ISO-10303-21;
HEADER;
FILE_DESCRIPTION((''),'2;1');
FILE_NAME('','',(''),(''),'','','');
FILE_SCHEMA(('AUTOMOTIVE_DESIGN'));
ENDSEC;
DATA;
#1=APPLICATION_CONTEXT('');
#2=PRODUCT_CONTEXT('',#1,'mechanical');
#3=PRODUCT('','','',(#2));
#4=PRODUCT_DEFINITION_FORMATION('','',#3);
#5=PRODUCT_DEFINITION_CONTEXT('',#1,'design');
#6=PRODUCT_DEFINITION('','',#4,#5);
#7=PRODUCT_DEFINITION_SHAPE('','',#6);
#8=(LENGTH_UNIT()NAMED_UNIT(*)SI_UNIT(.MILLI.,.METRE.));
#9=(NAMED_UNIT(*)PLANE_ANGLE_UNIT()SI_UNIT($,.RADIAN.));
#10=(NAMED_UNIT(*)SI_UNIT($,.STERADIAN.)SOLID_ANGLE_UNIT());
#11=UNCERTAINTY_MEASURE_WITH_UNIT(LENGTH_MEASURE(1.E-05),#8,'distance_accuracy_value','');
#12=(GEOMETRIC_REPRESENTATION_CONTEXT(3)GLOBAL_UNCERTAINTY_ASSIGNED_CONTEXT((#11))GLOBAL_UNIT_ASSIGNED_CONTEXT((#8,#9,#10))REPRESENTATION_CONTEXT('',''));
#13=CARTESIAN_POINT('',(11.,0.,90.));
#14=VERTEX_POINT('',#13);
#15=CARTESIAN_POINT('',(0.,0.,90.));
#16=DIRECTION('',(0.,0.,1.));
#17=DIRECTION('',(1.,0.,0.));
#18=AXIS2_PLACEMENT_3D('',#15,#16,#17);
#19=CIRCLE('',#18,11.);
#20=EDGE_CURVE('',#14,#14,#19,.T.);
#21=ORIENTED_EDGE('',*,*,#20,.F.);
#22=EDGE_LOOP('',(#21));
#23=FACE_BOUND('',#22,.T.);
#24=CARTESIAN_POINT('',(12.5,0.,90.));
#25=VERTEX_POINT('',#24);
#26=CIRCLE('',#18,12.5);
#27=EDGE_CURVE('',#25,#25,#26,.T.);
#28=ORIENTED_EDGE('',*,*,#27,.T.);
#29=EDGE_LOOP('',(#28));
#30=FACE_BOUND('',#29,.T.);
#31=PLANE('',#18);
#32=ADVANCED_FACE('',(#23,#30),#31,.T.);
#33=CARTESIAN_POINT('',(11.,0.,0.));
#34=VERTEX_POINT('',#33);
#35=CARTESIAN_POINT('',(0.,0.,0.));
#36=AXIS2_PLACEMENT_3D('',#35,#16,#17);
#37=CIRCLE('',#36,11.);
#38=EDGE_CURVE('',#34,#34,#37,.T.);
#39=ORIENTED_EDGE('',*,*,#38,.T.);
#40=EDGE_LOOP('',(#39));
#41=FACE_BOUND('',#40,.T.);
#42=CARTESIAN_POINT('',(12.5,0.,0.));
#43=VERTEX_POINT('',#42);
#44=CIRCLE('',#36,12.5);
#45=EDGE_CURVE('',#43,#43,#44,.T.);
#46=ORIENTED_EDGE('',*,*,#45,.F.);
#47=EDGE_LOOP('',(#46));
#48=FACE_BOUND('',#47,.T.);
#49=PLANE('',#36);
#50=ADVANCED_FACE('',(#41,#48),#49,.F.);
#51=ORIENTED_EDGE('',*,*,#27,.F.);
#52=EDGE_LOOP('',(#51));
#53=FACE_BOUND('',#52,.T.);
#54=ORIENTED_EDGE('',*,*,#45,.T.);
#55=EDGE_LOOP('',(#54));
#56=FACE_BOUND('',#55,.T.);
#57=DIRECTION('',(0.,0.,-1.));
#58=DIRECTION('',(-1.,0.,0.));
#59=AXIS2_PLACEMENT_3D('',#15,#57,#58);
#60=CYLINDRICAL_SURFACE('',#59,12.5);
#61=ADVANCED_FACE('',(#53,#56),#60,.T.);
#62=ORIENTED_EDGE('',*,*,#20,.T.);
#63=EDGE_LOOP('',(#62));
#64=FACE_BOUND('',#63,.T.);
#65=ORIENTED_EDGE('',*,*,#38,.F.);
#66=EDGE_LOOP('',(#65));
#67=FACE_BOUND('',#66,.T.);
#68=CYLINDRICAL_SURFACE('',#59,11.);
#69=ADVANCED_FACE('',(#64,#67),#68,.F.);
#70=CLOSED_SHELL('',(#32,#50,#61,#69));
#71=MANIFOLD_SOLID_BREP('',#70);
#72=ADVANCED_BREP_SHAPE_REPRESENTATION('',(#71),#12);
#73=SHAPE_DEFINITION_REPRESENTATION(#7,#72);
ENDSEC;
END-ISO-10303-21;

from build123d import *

# Parameters (mm, degrees)
SKETCH1_R           = 12.5
SKETCH1_R_2         = 11
BOSS_EXTRUDE1_DEPTH = 90


with BuildPart() as part:
    # Sketch1 → Boss-Extrude1 (new body)
    with BuildSketch(Plane.XY):
        Circle(SKETCH1_R)
        Circle(SKETCH1_R_2, mode=Mode.SUBTRACT)
    extrude(amount=BOSS_EXTRUDE1_DEPTH)


solid = part.part
